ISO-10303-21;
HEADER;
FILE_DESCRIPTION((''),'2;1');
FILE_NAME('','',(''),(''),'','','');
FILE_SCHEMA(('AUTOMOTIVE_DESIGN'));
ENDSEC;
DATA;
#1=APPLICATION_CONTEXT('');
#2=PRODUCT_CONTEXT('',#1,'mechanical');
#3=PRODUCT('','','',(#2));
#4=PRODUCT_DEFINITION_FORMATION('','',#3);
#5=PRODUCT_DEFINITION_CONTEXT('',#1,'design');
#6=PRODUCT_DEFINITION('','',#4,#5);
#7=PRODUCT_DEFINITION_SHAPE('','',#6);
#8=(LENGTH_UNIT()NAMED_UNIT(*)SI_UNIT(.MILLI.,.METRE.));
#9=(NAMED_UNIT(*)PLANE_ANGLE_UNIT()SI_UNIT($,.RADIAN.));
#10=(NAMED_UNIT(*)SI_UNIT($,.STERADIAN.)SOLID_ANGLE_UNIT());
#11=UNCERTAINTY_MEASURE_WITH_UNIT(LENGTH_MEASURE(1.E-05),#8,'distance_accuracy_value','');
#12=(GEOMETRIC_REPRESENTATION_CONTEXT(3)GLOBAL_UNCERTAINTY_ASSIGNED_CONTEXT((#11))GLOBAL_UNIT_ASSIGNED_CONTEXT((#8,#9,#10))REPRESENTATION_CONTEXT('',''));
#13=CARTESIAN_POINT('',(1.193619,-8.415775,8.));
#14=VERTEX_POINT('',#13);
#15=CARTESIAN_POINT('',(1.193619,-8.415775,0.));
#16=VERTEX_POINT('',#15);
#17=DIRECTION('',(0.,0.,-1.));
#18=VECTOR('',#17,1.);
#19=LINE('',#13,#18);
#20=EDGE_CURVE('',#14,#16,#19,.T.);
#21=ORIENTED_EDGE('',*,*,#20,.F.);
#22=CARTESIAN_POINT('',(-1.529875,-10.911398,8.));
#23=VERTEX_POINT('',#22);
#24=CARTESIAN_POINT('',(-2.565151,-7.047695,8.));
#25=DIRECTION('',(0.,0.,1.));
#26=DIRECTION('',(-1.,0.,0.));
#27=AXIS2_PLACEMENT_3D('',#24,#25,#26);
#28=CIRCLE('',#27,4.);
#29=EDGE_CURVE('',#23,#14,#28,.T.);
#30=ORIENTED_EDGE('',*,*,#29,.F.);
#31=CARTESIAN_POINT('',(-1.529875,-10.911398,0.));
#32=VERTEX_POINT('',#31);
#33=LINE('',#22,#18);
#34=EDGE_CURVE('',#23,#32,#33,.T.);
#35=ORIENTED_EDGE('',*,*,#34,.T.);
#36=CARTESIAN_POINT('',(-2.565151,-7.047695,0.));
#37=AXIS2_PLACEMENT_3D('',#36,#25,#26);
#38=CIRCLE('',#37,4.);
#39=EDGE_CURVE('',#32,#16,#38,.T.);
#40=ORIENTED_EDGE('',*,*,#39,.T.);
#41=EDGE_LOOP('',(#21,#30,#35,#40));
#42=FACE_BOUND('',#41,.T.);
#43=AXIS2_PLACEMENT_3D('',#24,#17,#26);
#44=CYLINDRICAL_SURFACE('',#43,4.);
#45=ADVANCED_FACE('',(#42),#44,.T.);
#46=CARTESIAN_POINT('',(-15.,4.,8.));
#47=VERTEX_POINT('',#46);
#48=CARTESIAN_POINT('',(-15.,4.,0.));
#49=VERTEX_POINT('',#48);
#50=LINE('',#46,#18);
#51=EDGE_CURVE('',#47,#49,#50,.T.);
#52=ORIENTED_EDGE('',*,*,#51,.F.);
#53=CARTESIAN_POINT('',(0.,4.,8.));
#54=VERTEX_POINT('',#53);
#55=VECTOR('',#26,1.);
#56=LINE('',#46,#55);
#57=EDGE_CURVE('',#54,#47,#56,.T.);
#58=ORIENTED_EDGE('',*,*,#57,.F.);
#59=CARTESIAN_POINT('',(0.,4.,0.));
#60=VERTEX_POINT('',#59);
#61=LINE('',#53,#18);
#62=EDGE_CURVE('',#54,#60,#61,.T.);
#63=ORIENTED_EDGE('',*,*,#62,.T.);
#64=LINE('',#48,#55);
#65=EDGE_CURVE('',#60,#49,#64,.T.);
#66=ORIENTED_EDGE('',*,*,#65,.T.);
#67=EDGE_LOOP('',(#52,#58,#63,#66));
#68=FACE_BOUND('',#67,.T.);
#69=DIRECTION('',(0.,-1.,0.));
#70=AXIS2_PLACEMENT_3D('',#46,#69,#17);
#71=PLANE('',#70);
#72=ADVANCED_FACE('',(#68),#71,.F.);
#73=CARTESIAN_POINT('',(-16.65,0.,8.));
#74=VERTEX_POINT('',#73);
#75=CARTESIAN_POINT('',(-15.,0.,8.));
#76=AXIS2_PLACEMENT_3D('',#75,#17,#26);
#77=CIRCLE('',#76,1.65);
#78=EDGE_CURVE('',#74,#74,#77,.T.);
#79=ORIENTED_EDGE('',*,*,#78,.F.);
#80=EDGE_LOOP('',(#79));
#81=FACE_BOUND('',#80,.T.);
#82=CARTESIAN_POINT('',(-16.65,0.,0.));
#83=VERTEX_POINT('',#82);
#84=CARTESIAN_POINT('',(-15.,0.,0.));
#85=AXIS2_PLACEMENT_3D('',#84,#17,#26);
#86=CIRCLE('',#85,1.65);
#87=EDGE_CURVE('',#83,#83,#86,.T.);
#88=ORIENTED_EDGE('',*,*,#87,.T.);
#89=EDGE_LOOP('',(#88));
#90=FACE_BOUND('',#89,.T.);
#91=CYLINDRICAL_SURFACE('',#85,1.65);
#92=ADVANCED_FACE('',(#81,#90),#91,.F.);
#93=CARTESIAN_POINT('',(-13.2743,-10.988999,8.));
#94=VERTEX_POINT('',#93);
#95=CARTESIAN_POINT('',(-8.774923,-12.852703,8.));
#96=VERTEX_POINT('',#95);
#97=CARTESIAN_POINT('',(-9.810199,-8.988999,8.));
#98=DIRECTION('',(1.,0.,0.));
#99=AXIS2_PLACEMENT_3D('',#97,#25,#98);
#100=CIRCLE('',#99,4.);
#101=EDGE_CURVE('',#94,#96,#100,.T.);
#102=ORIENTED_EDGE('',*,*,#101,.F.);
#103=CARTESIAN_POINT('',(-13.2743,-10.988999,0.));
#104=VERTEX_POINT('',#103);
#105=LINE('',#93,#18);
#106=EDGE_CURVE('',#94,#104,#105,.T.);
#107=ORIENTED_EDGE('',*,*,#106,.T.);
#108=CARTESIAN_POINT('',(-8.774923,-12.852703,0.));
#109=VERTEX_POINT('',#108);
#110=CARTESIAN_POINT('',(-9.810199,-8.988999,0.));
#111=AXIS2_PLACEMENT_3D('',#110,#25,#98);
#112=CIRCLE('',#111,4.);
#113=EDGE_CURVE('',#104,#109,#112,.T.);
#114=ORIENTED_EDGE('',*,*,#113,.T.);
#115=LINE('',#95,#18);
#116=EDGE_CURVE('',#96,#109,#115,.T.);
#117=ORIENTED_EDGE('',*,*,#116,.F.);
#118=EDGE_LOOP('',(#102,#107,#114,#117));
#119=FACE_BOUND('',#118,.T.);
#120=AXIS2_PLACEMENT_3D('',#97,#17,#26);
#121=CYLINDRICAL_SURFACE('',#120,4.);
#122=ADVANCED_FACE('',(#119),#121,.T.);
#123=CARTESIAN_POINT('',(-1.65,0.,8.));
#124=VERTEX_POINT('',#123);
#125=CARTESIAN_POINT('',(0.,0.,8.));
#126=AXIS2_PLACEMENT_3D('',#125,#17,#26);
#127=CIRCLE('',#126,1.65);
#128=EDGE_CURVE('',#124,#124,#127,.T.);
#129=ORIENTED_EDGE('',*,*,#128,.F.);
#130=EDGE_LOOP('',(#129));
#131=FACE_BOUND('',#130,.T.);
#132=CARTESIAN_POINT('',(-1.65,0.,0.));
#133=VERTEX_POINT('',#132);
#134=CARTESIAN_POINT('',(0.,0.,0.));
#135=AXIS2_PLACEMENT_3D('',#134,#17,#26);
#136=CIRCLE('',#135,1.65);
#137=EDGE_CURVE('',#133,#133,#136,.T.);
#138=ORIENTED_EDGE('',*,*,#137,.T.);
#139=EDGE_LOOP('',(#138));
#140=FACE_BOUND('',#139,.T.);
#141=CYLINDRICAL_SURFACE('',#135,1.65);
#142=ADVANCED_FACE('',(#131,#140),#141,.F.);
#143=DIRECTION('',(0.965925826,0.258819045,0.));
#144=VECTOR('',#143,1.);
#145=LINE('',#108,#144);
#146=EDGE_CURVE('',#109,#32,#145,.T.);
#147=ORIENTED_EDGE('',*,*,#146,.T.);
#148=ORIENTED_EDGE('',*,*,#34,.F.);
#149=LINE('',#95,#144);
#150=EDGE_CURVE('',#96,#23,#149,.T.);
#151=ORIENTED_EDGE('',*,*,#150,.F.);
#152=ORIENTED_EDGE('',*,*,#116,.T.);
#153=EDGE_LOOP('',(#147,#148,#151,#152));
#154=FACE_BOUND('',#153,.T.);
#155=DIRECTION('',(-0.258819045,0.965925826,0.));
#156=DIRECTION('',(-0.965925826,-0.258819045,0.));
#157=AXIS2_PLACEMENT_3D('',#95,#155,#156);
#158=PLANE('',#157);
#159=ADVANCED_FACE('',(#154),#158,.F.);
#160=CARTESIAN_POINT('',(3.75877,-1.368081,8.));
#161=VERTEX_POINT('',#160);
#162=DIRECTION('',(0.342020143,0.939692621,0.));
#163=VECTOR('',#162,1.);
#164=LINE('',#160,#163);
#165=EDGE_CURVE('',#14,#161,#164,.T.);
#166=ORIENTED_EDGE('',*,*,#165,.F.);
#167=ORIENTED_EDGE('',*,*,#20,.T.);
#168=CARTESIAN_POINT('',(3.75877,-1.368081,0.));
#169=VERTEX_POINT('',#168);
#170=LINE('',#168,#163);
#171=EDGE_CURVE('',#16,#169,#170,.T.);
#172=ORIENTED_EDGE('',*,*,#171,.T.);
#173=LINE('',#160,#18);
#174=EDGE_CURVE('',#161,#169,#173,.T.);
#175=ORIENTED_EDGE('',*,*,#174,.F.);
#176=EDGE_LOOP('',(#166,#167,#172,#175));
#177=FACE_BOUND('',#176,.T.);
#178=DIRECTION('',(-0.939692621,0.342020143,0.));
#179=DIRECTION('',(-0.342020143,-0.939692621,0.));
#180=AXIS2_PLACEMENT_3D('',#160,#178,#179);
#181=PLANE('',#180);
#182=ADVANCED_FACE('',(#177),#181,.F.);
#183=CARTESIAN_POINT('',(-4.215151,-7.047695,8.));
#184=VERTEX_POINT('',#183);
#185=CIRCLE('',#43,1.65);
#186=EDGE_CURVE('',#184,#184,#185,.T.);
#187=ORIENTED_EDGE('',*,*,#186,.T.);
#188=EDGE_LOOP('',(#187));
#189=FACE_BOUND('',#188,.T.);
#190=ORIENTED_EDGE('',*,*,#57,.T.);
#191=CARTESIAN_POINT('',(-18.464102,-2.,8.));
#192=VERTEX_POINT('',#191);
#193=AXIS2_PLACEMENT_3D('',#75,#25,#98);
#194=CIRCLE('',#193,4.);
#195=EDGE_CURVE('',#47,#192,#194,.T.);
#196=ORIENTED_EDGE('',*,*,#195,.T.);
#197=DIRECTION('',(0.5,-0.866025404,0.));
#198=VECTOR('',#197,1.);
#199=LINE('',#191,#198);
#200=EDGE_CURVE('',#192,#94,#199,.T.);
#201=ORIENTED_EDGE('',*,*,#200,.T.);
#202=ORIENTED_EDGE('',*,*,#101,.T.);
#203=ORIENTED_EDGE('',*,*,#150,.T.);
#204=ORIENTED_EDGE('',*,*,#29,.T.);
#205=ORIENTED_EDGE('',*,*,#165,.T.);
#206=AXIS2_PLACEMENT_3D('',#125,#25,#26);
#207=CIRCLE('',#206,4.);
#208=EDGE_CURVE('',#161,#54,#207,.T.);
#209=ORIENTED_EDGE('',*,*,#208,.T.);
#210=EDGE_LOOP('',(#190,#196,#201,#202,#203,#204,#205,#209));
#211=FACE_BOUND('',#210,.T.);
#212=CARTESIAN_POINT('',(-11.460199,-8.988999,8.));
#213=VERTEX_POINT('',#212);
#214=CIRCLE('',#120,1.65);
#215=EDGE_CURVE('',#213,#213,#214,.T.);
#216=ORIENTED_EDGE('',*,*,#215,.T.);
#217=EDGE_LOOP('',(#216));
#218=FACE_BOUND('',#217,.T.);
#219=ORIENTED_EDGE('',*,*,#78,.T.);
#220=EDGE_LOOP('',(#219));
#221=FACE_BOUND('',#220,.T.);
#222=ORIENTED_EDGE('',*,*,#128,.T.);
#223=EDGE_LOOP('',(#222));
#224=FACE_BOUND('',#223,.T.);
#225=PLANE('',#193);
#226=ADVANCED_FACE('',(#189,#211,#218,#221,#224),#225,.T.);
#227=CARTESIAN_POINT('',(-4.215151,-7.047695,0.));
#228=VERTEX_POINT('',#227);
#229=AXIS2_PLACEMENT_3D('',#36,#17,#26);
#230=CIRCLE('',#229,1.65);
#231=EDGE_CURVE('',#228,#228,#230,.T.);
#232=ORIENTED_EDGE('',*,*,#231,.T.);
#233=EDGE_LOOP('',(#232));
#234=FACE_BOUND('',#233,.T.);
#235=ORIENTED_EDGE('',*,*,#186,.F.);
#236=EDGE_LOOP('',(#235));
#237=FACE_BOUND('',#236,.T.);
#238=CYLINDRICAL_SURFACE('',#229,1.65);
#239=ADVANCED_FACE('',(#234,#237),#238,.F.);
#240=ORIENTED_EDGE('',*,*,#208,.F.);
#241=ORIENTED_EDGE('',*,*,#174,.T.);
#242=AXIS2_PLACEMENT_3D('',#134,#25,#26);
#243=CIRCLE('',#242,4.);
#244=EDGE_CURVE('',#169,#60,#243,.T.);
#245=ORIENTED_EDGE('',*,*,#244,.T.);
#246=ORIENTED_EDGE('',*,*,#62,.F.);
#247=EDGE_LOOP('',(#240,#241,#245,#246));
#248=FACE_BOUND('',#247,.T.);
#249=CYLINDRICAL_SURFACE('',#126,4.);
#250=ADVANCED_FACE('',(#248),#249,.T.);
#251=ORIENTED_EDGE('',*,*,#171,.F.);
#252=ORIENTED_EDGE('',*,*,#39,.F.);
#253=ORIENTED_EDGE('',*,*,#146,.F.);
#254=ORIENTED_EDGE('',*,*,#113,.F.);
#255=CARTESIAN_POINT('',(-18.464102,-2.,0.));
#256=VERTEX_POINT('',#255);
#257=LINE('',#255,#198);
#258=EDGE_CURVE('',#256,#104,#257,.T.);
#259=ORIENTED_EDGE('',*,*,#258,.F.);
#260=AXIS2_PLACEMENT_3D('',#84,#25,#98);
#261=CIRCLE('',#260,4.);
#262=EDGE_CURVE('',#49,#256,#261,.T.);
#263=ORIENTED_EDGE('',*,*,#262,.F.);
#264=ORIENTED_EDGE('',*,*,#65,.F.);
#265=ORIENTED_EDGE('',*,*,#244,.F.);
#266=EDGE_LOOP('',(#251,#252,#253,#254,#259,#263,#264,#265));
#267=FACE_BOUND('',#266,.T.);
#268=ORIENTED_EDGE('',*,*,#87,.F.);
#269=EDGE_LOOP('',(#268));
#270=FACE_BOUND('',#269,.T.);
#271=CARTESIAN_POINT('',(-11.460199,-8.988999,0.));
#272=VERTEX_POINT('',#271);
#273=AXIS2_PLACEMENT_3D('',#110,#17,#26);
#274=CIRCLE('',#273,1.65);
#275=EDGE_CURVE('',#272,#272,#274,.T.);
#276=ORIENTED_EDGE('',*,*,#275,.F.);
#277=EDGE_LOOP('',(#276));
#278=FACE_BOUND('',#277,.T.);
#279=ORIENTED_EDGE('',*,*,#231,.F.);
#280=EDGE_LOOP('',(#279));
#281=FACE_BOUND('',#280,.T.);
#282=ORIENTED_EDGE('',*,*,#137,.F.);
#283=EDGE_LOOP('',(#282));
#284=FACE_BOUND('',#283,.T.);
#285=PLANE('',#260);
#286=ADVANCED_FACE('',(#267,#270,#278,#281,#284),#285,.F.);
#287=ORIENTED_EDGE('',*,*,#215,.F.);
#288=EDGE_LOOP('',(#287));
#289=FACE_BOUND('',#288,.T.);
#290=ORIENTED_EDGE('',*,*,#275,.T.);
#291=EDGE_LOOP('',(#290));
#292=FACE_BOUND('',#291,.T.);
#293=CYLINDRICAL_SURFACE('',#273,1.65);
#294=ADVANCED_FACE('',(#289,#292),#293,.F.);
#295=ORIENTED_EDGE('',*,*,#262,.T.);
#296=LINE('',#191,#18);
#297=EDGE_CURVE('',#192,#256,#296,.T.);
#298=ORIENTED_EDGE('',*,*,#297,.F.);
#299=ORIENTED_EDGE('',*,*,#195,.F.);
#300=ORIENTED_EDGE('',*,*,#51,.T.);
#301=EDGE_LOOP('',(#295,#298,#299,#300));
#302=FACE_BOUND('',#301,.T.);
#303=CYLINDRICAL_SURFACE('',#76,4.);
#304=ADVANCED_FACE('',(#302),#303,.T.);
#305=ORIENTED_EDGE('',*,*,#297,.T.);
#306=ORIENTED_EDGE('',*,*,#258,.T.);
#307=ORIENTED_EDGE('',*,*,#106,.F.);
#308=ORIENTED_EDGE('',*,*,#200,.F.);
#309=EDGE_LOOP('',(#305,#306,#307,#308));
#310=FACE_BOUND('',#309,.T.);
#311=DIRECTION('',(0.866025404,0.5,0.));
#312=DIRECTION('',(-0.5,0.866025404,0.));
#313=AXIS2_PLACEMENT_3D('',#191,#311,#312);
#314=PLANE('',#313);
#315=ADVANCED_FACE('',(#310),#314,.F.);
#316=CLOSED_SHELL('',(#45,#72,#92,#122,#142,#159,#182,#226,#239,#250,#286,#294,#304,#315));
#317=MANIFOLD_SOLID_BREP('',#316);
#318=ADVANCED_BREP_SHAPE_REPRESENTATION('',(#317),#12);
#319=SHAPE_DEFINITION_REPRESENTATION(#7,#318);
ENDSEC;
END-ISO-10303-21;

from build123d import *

# Parameters (mm, degrees)
BOSS_EXTRU_1_DEPTH = 8
TROU_TARAUD_M41_D  = 3.3


with BuildPart() as part:
    # Esquisse1 → Boss.-Extru.1 (new body)
    with BuildSketch(Plane.XY):
        with BuildLine():
            Line((-15, 4), (0, 4))
            ThreePointArc((0, 4), (3.276608177, 2.294305745), (3.758770483, -1.368080573))
            Line((3.758770483, -1.368080573), (1.193619408, -8.415775229))
            ThreePointArc((1.193619408, -8.415775229), (0.137209756, -9.996804003), (-1.529874895, -10.911397961))
            Line((-1.529874895, -10.911397961), (-8.774922628, -12.85270265))
            ThreePointArc((-8.774922628, -12.85270265), (-11.340932538, -12.684517475), (-13.274300423, -10.988999345))
            Line((-13.274300423, -10.988999345), (-18.464101615, -2))
            ThreePointArc((-18.464101615, -2), (-18.464101615, 2), (-15, 4))
        make_face()
    extrude(amount=BOSS_EXTRU_1_DEPTH)

    # Trou taraudé M41 (through all)
    with Locations(Plane(origin=(0, 0, 0), x_dir=(1, 0, 0), z_dir=(0, 0, -1))):
        with Locations((-15, 0), (0, 0), (-2.565151075, 7.047694656), (-9.810198808, 8.988999345)):
            Hole(TROU_TARAUD_M41_D / 2)


solid = part.part
